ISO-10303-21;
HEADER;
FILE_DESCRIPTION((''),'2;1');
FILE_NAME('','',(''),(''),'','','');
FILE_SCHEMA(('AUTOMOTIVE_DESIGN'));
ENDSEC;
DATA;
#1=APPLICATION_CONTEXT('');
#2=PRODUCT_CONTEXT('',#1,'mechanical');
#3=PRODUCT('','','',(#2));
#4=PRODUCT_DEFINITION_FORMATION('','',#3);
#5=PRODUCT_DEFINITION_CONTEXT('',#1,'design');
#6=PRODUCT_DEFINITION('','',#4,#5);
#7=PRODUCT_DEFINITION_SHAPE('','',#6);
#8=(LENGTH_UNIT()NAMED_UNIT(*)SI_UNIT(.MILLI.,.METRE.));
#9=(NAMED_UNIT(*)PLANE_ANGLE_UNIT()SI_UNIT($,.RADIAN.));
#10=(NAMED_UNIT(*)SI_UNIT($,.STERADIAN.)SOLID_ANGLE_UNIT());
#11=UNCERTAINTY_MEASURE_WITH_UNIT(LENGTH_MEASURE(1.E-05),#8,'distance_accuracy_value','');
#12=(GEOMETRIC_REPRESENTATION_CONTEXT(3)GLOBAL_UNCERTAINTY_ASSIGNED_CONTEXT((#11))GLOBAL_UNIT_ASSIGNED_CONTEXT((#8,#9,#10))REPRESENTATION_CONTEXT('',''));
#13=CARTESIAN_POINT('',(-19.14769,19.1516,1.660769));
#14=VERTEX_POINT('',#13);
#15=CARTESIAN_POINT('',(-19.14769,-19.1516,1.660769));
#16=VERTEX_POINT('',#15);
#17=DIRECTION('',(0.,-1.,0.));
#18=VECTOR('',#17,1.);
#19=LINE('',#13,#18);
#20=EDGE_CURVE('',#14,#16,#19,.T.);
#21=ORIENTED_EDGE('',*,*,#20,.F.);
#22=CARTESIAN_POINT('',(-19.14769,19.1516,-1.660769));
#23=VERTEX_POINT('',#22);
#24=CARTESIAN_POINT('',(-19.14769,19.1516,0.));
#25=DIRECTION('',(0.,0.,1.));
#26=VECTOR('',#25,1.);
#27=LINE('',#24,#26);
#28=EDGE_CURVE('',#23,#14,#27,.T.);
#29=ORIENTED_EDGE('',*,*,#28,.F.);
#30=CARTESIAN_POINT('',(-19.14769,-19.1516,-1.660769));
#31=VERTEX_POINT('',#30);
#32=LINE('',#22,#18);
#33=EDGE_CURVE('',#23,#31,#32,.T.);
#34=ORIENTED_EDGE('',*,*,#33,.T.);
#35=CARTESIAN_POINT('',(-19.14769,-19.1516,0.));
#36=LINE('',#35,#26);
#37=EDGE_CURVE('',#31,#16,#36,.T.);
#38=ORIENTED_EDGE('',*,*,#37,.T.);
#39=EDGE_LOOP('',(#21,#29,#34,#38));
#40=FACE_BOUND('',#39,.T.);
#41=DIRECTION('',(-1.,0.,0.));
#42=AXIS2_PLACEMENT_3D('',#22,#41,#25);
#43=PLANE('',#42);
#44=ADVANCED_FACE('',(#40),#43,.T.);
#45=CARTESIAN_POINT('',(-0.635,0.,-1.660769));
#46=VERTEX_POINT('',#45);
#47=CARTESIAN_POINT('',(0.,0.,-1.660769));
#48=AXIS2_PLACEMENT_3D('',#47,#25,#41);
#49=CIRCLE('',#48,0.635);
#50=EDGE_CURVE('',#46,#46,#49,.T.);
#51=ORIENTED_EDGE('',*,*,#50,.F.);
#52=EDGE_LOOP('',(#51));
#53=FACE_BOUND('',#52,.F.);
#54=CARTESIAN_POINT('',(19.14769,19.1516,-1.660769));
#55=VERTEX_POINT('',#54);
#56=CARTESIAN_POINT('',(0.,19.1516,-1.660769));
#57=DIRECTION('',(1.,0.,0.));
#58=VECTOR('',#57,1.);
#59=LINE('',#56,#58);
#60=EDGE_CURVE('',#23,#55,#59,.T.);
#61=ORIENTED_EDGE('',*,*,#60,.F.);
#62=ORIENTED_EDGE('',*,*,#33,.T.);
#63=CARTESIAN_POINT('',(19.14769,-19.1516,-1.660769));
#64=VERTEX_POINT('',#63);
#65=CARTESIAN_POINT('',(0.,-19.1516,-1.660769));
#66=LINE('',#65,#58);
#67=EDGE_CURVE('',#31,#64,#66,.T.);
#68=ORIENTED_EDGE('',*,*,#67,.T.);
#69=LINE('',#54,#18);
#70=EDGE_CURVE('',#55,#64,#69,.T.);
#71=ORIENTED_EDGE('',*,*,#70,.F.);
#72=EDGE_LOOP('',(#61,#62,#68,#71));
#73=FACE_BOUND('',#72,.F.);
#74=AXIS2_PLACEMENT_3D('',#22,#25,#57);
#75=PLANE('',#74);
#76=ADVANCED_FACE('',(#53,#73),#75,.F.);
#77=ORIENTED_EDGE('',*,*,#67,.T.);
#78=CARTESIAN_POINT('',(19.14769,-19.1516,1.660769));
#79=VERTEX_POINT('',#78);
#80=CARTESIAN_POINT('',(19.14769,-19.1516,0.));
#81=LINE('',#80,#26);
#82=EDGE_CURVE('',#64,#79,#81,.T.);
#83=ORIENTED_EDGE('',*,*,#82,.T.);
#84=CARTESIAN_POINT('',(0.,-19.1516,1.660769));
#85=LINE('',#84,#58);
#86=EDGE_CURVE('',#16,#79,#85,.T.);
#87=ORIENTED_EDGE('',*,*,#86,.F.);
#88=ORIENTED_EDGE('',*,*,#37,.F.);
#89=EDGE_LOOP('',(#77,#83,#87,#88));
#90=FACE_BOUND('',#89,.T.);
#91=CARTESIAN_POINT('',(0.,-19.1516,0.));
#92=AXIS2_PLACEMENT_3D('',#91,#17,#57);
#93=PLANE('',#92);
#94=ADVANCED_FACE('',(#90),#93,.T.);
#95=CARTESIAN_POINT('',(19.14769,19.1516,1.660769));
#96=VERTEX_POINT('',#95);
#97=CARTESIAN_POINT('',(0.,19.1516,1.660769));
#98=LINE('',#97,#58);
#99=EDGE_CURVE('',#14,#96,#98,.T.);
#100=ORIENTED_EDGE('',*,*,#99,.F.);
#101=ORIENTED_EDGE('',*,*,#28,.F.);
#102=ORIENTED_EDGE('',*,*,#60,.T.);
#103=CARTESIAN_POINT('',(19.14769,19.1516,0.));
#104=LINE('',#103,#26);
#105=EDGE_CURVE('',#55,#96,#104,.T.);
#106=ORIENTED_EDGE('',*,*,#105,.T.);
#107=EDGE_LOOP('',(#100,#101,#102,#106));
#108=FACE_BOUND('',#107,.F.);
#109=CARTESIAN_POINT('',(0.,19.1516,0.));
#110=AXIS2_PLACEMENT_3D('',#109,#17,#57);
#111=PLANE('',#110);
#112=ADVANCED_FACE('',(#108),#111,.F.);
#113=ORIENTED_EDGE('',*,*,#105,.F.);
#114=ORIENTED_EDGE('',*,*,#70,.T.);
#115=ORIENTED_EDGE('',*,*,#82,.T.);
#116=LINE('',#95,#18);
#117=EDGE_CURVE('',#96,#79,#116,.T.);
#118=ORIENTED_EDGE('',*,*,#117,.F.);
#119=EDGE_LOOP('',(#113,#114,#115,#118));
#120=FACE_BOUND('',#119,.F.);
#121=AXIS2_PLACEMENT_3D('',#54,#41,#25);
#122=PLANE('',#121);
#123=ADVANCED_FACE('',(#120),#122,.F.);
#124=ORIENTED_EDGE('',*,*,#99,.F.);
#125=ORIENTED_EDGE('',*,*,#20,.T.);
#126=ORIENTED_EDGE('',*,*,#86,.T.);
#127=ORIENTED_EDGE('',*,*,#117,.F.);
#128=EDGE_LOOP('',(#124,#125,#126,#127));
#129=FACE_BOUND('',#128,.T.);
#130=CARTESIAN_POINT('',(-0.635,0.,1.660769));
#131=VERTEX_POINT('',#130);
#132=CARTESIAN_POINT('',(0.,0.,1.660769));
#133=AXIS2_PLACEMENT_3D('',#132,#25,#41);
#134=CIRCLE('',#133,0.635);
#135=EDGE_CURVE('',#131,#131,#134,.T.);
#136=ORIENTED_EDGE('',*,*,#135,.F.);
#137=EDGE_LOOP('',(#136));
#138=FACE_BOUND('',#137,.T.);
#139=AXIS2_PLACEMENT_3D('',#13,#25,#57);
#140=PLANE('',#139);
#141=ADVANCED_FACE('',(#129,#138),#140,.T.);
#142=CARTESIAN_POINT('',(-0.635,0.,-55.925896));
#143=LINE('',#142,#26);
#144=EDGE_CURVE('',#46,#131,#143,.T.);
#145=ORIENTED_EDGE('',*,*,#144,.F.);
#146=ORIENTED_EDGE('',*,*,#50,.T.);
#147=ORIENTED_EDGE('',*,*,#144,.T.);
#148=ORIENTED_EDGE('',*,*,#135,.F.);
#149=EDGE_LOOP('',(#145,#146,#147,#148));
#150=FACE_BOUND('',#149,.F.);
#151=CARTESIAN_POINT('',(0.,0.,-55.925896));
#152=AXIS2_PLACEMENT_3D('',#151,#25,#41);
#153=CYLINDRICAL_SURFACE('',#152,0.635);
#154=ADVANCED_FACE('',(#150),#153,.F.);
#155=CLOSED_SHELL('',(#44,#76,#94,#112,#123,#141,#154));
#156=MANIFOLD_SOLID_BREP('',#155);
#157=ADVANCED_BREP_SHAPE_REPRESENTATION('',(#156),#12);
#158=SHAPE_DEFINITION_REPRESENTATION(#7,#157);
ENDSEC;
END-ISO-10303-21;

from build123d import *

# Parameters (mm, degrees)
F0_W     = 38.2953807712
F0_H     = 3.3215386793
F1_DEPTH = 38.3032
F4_D     = 1.27


with BuildPart() as f1:
    # F0 (on Front) → F1 (new body)
    with BuildSketch(Plane.XZ):
        Rectangle(F0_W, F0_H)
    extrude(amount=F1_DEPTH)


with BuildPart() as f1_1:
    # F2: moved
    add(f1.part.moved(Location((0, 19.1516, 0))))

    # F4 (through all)
    with Locations(Plane(origin=(0, 0, -1.6607693397), x_dir=(1, 0, 0), z_dir=(0, 0, -1))):
        with Locations((0, 0)):
            Hole(F4_D / 2)


solid = f1_1.part
